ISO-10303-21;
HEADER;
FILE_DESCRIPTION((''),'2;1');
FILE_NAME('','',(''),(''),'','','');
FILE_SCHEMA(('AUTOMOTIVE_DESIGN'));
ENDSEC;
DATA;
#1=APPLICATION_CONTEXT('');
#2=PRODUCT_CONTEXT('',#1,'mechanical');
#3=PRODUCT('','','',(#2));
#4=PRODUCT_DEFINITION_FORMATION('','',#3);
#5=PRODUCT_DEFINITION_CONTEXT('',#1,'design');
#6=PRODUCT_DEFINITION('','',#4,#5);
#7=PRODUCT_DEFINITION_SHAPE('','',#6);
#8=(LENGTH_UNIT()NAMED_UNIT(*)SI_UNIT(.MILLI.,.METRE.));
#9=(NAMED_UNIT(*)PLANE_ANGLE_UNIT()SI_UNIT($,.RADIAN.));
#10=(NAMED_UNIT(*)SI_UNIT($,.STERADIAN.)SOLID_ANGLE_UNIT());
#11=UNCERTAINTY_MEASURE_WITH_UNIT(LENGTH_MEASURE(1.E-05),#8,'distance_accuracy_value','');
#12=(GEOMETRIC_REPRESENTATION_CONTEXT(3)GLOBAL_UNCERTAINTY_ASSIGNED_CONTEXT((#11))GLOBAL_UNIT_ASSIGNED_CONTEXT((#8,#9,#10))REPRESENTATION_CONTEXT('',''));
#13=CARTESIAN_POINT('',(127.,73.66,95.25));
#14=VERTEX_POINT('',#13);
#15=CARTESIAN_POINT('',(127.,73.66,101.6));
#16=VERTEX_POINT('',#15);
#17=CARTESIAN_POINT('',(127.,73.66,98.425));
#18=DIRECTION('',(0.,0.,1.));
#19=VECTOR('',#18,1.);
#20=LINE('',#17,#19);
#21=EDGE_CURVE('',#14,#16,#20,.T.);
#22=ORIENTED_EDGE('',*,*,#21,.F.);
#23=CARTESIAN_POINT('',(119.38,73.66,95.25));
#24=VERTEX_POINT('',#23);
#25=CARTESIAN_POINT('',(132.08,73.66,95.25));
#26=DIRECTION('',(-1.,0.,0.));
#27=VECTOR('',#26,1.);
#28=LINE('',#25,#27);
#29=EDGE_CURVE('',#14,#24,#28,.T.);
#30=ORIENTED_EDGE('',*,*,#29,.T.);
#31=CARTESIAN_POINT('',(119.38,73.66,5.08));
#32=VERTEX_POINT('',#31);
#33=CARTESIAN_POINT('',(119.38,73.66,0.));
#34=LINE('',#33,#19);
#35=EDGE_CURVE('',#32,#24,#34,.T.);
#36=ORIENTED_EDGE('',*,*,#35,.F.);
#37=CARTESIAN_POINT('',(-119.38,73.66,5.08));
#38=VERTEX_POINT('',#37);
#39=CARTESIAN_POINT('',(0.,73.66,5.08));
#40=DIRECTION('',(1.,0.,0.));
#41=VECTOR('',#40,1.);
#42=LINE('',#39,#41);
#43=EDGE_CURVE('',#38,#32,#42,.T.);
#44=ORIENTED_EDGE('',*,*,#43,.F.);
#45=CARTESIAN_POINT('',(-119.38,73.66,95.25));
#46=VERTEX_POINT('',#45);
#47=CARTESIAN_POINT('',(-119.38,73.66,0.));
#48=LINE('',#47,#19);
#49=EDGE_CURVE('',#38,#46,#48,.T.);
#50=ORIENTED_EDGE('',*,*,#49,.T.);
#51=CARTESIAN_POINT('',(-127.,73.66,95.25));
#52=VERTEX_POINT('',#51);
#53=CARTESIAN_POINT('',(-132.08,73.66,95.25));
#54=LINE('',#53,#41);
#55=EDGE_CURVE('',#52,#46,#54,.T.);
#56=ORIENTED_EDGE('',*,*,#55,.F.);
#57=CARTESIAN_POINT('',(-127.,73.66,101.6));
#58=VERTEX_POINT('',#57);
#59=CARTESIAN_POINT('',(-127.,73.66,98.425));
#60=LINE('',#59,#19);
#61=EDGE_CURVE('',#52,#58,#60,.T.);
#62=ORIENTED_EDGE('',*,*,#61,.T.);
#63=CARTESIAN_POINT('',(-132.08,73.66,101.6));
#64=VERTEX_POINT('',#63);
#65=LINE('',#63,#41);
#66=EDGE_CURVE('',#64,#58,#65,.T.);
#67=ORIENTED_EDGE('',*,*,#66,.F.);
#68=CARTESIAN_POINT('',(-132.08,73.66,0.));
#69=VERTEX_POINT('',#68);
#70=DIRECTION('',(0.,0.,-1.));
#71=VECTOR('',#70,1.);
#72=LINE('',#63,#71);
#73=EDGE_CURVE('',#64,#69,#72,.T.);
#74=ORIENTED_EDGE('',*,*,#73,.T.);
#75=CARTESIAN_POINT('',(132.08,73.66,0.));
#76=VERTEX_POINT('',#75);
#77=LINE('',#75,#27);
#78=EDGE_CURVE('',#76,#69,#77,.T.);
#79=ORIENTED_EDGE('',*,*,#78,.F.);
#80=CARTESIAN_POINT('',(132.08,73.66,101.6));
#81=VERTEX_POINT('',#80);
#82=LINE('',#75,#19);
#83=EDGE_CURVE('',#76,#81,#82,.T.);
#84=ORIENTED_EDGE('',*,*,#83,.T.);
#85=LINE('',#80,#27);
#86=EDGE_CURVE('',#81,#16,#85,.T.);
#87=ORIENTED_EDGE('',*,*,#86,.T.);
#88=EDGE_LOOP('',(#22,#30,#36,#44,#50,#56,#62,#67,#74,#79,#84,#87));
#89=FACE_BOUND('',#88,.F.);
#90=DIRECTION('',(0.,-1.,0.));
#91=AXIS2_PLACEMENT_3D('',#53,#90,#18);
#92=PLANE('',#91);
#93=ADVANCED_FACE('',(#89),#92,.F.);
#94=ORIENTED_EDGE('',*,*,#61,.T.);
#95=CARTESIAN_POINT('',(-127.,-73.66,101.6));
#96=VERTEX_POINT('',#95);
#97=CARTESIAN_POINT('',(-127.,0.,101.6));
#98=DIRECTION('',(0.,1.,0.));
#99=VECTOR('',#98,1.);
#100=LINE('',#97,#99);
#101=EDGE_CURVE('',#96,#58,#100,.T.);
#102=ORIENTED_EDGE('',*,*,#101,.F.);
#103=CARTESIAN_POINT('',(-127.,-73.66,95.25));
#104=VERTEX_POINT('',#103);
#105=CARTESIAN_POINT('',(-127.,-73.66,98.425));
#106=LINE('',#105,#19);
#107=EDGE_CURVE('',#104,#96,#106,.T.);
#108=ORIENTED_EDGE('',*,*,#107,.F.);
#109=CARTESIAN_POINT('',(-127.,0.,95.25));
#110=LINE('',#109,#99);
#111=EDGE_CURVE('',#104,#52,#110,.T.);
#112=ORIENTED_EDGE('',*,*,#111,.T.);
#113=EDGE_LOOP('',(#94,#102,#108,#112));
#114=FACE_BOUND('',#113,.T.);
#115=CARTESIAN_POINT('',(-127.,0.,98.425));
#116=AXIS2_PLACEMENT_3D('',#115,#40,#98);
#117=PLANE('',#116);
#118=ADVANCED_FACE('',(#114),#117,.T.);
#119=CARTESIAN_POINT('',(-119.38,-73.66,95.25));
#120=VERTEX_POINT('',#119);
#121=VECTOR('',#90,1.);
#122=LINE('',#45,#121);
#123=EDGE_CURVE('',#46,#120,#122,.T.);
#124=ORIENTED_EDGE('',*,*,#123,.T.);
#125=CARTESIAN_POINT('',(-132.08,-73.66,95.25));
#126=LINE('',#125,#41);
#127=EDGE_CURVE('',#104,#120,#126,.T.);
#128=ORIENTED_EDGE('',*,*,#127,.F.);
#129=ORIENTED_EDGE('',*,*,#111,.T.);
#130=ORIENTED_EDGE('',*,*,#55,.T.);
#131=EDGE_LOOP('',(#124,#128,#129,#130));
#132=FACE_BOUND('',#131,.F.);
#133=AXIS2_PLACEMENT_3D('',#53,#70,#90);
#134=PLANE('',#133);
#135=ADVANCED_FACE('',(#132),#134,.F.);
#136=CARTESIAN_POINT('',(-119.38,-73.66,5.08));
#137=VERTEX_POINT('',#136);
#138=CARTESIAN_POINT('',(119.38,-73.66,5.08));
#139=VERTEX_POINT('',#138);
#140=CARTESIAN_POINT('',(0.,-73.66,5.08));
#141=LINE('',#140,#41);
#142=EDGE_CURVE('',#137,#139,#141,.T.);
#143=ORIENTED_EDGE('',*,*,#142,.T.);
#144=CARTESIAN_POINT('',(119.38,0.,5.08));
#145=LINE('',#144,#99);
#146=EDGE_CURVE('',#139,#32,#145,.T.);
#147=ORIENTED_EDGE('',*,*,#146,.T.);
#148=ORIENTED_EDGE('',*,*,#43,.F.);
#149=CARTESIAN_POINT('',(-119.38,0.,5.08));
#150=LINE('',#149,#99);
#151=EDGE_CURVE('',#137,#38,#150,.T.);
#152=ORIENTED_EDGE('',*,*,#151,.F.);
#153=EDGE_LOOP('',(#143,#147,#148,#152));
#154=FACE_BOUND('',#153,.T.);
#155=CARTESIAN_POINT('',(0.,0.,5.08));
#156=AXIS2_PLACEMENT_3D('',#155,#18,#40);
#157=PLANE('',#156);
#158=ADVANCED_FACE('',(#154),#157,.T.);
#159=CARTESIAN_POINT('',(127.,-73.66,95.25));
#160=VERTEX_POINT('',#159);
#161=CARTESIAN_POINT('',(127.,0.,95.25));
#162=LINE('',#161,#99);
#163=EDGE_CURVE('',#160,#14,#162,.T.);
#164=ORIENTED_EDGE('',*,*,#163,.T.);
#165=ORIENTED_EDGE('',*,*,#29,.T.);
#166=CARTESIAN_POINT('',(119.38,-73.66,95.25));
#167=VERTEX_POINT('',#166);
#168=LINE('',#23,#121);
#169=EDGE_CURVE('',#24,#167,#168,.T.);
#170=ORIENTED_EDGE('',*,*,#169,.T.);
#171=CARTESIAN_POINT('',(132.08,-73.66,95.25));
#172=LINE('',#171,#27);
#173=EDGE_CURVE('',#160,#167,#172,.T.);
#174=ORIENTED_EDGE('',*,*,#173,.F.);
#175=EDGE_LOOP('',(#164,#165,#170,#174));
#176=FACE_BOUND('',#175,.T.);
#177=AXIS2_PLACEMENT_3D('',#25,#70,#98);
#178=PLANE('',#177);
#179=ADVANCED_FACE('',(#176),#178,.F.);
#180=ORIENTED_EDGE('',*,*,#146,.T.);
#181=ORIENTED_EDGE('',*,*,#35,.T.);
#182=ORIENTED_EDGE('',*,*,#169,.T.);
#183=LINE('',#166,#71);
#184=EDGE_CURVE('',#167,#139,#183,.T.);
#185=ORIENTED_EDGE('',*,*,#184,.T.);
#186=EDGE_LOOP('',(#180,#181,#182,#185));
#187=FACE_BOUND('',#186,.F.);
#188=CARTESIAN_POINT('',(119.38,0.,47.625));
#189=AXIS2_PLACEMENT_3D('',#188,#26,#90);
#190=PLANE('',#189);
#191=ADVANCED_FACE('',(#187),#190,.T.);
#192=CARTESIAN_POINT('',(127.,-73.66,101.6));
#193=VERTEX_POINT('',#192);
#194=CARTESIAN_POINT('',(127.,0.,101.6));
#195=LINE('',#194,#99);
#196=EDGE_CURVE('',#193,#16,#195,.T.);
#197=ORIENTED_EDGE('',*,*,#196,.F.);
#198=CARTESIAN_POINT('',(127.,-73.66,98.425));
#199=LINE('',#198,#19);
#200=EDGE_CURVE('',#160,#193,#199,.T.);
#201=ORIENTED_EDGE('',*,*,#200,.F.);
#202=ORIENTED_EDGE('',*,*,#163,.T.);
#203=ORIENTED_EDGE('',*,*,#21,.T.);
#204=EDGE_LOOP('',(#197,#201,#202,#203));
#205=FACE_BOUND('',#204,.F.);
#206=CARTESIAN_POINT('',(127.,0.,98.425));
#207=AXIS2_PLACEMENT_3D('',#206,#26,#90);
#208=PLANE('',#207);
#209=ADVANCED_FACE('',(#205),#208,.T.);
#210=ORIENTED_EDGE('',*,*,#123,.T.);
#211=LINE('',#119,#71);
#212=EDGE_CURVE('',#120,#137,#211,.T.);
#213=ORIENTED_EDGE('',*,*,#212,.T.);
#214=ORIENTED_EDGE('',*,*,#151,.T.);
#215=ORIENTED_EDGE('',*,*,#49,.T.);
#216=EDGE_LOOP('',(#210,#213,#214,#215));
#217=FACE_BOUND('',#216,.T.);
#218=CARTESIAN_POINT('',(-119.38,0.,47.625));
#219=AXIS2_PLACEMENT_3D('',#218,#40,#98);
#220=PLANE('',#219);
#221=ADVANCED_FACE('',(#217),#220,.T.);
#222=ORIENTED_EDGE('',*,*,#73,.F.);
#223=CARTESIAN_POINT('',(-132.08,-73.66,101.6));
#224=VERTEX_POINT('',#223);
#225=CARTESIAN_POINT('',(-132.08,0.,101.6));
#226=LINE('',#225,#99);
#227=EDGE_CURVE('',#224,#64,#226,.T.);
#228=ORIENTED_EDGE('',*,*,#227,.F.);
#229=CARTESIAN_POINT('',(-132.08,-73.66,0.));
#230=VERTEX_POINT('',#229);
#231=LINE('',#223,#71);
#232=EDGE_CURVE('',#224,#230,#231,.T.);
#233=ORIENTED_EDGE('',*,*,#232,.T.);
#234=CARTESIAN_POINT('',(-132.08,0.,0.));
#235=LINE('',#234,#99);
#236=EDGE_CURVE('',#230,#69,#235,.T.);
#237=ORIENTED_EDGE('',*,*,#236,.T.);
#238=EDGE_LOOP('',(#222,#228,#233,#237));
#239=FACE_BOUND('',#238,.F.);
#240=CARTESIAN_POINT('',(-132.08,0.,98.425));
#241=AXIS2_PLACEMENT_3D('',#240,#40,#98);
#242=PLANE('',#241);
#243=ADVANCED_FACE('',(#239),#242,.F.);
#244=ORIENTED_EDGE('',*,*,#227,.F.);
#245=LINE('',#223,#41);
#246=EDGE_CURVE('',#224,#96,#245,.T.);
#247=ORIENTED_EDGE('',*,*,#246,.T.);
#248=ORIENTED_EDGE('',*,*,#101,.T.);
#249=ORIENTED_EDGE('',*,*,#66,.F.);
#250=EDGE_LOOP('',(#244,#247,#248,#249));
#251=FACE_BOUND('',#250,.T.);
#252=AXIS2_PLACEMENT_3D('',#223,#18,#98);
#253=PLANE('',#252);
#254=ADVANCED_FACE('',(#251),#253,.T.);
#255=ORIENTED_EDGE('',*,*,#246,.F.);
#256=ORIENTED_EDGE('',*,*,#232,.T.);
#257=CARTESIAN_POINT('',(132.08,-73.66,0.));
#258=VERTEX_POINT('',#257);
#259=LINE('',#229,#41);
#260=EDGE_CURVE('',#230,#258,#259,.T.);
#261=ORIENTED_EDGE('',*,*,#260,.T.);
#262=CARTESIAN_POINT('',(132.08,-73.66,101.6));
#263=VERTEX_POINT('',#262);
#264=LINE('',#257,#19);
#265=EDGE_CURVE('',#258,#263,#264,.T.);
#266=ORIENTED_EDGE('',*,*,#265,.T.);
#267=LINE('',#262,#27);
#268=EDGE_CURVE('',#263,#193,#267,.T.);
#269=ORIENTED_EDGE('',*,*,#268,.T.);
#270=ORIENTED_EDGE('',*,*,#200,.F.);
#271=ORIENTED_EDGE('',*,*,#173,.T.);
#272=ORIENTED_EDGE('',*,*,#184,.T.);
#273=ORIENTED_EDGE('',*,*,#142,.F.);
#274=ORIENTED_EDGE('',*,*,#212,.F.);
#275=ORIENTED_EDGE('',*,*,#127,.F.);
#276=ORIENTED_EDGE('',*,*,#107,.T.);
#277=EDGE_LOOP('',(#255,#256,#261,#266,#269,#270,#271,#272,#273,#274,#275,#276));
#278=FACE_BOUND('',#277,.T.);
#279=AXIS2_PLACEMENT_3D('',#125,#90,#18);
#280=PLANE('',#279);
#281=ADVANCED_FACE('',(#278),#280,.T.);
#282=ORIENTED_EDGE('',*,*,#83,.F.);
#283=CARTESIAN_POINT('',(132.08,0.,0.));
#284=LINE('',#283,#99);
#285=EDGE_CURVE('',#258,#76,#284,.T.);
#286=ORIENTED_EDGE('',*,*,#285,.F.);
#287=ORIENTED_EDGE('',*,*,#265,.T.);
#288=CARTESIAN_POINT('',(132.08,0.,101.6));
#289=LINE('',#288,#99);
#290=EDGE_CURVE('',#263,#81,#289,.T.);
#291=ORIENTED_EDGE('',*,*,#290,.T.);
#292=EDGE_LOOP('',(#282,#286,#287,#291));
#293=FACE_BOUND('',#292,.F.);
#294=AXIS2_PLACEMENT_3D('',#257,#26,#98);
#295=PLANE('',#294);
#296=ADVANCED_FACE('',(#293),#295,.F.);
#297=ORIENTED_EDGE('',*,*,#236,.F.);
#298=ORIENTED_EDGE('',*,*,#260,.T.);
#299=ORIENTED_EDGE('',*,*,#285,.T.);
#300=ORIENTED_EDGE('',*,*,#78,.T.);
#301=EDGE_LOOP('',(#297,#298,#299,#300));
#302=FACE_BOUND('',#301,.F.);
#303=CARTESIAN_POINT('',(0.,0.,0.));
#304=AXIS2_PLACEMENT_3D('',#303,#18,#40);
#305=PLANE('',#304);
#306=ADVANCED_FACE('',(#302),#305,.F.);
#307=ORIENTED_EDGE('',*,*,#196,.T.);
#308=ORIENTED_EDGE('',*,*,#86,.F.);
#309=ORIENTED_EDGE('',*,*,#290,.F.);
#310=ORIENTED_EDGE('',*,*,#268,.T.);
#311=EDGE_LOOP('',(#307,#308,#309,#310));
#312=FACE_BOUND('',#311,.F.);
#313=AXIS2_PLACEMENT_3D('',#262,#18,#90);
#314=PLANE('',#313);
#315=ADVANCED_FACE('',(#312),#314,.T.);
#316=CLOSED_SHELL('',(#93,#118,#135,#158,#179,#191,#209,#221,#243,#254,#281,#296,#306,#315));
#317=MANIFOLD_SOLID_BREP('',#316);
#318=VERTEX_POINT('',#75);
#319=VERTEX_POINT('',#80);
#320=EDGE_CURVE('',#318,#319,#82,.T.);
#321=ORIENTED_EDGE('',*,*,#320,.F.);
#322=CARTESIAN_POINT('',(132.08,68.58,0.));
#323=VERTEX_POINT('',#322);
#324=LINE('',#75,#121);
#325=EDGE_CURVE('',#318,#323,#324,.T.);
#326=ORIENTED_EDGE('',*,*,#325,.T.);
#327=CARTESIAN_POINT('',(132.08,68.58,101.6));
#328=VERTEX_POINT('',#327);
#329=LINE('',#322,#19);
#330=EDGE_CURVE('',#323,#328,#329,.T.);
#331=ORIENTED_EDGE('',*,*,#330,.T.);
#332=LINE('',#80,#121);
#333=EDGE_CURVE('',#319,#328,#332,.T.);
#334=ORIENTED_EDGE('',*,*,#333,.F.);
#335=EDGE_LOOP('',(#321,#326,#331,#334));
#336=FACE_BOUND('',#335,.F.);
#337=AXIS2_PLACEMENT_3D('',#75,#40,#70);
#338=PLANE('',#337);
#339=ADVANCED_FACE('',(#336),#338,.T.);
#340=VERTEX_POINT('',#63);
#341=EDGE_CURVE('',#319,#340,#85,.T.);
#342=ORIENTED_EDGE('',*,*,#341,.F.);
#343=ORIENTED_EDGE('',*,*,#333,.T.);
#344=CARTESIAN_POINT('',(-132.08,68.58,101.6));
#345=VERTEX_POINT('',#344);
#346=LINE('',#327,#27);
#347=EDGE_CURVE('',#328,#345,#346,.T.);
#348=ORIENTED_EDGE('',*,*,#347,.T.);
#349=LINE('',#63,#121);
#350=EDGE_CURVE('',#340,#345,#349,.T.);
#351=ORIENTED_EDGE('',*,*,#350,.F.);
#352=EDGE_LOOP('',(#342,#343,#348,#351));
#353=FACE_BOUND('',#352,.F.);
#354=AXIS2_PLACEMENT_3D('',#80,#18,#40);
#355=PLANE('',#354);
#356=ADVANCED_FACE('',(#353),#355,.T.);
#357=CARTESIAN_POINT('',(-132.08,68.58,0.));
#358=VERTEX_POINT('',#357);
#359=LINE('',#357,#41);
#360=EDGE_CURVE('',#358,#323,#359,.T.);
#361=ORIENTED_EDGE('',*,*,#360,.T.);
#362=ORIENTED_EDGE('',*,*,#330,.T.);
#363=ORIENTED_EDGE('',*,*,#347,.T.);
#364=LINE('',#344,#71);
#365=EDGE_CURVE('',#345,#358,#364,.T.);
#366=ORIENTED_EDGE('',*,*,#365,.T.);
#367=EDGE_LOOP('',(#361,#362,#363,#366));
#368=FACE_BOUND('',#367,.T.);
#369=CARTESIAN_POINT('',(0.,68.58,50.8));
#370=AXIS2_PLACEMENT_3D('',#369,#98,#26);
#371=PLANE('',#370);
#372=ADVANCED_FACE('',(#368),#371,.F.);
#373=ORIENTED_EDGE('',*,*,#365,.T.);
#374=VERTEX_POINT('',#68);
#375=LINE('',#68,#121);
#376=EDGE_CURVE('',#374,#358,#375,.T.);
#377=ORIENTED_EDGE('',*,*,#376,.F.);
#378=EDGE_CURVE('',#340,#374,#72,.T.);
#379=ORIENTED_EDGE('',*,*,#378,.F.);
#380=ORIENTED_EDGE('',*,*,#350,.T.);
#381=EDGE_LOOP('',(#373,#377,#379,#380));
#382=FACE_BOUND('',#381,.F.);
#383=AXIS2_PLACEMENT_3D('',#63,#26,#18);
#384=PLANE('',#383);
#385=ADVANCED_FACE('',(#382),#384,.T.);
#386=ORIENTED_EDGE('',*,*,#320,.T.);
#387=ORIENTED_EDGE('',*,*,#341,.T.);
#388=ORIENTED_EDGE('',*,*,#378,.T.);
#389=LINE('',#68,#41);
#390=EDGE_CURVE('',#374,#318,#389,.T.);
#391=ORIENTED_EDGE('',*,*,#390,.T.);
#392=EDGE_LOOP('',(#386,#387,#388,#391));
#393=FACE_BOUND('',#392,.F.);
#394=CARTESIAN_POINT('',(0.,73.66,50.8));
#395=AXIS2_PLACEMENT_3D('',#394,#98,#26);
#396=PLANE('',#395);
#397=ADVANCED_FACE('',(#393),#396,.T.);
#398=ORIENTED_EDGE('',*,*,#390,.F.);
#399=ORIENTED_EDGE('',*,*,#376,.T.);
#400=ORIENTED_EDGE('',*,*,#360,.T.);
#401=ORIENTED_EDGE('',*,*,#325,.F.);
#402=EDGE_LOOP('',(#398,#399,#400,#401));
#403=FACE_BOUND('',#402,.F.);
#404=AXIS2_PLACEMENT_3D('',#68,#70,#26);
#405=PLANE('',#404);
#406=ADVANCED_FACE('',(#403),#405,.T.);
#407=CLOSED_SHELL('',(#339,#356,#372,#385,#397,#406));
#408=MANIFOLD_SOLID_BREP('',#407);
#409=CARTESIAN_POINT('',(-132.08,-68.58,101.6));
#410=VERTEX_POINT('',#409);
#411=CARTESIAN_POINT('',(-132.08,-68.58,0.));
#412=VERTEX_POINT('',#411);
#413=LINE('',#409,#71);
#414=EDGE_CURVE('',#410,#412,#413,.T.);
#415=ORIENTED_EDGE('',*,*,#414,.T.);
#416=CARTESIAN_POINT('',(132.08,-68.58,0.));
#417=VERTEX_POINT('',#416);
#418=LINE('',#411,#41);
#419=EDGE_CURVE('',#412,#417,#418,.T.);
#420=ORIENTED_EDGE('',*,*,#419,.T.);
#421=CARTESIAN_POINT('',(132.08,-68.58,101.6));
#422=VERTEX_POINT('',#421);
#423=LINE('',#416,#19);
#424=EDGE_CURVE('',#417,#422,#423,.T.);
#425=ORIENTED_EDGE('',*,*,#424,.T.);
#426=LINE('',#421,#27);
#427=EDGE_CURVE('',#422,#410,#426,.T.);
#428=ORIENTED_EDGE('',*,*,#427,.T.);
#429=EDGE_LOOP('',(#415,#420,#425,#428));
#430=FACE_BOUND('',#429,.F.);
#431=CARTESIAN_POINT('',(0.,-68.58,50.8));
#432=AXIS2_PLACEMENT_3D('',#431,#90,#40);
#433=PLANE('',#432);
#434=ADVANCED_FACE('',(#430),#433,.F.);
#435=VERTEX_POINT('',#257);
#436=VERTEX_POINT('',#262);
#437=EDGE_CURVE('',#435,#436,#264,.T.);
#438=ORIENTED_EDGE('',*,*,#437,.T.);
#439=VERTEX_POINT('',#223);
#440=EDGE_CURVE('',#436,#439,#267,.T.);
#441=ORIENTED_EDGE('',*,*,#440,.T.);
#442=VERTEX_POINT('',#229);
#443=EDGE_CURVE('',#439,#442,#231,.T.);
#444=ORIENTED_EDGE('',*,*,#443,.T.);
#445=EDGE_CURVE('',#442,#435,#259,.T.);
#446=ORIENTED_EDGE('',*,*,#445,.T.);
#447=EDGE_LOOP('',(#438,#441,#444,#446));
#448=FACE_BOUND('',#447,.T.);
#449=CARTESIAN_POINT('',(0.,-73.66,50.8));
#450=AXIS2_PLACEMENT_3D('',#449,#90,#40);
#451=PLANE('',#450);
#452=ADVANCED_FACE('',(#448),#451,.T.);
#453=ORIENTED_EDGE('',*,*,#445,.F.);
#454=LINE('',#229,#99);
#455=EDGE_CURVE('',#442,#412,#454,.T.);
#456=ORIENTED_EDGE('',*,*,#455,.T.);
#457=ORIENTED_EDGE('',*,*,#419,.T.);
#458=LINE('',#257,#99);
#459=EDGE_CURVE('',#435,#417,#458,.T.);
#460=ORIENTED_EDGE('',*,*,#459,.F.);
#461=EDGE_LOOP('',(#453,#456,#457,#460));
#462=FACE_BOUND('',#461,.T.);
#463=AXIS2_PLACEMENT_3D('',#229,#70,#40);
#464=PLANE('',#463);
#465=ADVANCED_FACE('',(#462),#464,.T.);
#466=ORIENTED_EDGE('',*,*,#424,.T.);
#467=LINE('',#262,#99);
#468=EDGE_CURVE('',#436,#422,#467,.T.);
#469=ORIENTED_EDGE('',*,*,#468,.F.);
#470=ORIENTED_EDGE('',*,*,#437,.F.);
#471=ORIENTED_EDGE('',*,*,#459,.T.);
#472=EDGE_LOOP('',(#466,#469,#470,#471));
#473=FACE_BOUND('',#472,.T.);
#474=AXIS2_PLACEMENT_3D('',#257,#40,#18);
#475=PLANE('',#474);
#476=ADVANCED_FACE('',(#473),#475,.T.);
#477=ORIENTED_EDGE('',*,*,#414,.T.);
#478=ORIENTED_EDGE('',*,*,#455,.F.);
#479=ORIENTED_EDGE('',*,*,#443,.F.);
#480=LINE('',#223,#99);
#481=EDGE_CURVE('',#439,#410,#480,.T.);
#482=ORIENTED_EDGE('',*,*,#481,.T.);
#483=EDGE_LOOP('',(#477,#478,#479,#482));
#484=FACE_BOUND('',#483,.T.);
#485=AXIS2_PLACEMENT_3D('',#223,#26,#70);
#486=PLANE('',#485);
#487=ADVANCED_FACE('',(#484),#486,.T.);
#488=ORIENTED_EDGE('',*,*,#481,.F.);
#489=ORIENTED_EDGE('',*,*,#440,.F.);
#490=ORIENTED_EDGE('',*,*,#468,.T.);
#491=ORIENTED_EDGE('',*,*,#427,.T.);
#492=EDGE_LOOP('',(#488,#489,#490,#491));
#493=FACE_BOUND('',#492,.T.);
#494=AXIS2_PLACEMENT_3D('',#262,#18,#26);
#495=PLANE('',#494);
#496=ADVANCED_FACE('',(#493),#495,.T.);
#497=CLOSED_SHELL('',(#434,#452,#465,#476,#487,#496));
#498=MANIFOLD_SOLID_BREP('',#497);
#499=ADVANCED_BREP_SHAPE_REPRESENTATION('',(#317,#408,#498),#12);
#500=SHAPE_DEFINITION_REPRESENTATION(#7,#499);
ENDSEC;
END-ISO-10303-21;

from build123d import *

# Parameters (mm, degrees)
F0_W      = 264.16
F0_H      = 147.32
F1_DEPTH  = 5.08
F4_DEPTH  = 12.7
F7_DEPTH  = 5.08
F10_W     = 147.32
F10_H     = 6.35
F11_DEPTH = 5.08


with BuildPart() as f1:
    # F0 (on Top) → F1 (new body)
    with BuildSketch(Plane.XY):
        Rectangle(F0_W, F0_H)
    extrude(amount=F1_DEPTH)

    # F3 (on offset) → F4 (join)
    with BuildSketch(Plane.YZ.offset(-132.08)):
        Polygon((-73.66, 0), (0, 0), (73.66, 0), (73.66, 95.25), (0, 95.25), (-73.66, 95.25), align=None)
    extrude(amount=F4_DEPTH)



with BuildPart() as f7:
    # F6 (on offset) → F7 (new body)
    with BuildSketch(Plane.XZ.offset(73.66)):
        Polygon((-132.08, 0), (0, 0), (132.08, 0), (132.08, 101.6), (-132.08, 101.6), align=None)
    extrude(amount=-F7_DEPTH)


with BuildPart() as f8_1:
    # F8: instance of F7
    add(f7.part.mirror(Plane.XZ))


with BuildPart() as f11:
    # F10 (on offset) → F11 (new body)
    with BuildSketch(Plane.YZ.offset(-132.08)):
        with Locations((0, 98.425)):
            Rectangle(F10_W, F10_H)
    extrude(amount=F11_DEPTH)


with BuildPart() as f1_1:
    add(f1.part)

    add(f11.part)  # F12 merges F11
    # F12: F11, F1 across plane
    add(f11.part.mirror(Plane.YZ))
    add(f1.part.mirror(Plane.YZ))


solid = Compound([f7.part, f8_1.part, f1_1.part])
